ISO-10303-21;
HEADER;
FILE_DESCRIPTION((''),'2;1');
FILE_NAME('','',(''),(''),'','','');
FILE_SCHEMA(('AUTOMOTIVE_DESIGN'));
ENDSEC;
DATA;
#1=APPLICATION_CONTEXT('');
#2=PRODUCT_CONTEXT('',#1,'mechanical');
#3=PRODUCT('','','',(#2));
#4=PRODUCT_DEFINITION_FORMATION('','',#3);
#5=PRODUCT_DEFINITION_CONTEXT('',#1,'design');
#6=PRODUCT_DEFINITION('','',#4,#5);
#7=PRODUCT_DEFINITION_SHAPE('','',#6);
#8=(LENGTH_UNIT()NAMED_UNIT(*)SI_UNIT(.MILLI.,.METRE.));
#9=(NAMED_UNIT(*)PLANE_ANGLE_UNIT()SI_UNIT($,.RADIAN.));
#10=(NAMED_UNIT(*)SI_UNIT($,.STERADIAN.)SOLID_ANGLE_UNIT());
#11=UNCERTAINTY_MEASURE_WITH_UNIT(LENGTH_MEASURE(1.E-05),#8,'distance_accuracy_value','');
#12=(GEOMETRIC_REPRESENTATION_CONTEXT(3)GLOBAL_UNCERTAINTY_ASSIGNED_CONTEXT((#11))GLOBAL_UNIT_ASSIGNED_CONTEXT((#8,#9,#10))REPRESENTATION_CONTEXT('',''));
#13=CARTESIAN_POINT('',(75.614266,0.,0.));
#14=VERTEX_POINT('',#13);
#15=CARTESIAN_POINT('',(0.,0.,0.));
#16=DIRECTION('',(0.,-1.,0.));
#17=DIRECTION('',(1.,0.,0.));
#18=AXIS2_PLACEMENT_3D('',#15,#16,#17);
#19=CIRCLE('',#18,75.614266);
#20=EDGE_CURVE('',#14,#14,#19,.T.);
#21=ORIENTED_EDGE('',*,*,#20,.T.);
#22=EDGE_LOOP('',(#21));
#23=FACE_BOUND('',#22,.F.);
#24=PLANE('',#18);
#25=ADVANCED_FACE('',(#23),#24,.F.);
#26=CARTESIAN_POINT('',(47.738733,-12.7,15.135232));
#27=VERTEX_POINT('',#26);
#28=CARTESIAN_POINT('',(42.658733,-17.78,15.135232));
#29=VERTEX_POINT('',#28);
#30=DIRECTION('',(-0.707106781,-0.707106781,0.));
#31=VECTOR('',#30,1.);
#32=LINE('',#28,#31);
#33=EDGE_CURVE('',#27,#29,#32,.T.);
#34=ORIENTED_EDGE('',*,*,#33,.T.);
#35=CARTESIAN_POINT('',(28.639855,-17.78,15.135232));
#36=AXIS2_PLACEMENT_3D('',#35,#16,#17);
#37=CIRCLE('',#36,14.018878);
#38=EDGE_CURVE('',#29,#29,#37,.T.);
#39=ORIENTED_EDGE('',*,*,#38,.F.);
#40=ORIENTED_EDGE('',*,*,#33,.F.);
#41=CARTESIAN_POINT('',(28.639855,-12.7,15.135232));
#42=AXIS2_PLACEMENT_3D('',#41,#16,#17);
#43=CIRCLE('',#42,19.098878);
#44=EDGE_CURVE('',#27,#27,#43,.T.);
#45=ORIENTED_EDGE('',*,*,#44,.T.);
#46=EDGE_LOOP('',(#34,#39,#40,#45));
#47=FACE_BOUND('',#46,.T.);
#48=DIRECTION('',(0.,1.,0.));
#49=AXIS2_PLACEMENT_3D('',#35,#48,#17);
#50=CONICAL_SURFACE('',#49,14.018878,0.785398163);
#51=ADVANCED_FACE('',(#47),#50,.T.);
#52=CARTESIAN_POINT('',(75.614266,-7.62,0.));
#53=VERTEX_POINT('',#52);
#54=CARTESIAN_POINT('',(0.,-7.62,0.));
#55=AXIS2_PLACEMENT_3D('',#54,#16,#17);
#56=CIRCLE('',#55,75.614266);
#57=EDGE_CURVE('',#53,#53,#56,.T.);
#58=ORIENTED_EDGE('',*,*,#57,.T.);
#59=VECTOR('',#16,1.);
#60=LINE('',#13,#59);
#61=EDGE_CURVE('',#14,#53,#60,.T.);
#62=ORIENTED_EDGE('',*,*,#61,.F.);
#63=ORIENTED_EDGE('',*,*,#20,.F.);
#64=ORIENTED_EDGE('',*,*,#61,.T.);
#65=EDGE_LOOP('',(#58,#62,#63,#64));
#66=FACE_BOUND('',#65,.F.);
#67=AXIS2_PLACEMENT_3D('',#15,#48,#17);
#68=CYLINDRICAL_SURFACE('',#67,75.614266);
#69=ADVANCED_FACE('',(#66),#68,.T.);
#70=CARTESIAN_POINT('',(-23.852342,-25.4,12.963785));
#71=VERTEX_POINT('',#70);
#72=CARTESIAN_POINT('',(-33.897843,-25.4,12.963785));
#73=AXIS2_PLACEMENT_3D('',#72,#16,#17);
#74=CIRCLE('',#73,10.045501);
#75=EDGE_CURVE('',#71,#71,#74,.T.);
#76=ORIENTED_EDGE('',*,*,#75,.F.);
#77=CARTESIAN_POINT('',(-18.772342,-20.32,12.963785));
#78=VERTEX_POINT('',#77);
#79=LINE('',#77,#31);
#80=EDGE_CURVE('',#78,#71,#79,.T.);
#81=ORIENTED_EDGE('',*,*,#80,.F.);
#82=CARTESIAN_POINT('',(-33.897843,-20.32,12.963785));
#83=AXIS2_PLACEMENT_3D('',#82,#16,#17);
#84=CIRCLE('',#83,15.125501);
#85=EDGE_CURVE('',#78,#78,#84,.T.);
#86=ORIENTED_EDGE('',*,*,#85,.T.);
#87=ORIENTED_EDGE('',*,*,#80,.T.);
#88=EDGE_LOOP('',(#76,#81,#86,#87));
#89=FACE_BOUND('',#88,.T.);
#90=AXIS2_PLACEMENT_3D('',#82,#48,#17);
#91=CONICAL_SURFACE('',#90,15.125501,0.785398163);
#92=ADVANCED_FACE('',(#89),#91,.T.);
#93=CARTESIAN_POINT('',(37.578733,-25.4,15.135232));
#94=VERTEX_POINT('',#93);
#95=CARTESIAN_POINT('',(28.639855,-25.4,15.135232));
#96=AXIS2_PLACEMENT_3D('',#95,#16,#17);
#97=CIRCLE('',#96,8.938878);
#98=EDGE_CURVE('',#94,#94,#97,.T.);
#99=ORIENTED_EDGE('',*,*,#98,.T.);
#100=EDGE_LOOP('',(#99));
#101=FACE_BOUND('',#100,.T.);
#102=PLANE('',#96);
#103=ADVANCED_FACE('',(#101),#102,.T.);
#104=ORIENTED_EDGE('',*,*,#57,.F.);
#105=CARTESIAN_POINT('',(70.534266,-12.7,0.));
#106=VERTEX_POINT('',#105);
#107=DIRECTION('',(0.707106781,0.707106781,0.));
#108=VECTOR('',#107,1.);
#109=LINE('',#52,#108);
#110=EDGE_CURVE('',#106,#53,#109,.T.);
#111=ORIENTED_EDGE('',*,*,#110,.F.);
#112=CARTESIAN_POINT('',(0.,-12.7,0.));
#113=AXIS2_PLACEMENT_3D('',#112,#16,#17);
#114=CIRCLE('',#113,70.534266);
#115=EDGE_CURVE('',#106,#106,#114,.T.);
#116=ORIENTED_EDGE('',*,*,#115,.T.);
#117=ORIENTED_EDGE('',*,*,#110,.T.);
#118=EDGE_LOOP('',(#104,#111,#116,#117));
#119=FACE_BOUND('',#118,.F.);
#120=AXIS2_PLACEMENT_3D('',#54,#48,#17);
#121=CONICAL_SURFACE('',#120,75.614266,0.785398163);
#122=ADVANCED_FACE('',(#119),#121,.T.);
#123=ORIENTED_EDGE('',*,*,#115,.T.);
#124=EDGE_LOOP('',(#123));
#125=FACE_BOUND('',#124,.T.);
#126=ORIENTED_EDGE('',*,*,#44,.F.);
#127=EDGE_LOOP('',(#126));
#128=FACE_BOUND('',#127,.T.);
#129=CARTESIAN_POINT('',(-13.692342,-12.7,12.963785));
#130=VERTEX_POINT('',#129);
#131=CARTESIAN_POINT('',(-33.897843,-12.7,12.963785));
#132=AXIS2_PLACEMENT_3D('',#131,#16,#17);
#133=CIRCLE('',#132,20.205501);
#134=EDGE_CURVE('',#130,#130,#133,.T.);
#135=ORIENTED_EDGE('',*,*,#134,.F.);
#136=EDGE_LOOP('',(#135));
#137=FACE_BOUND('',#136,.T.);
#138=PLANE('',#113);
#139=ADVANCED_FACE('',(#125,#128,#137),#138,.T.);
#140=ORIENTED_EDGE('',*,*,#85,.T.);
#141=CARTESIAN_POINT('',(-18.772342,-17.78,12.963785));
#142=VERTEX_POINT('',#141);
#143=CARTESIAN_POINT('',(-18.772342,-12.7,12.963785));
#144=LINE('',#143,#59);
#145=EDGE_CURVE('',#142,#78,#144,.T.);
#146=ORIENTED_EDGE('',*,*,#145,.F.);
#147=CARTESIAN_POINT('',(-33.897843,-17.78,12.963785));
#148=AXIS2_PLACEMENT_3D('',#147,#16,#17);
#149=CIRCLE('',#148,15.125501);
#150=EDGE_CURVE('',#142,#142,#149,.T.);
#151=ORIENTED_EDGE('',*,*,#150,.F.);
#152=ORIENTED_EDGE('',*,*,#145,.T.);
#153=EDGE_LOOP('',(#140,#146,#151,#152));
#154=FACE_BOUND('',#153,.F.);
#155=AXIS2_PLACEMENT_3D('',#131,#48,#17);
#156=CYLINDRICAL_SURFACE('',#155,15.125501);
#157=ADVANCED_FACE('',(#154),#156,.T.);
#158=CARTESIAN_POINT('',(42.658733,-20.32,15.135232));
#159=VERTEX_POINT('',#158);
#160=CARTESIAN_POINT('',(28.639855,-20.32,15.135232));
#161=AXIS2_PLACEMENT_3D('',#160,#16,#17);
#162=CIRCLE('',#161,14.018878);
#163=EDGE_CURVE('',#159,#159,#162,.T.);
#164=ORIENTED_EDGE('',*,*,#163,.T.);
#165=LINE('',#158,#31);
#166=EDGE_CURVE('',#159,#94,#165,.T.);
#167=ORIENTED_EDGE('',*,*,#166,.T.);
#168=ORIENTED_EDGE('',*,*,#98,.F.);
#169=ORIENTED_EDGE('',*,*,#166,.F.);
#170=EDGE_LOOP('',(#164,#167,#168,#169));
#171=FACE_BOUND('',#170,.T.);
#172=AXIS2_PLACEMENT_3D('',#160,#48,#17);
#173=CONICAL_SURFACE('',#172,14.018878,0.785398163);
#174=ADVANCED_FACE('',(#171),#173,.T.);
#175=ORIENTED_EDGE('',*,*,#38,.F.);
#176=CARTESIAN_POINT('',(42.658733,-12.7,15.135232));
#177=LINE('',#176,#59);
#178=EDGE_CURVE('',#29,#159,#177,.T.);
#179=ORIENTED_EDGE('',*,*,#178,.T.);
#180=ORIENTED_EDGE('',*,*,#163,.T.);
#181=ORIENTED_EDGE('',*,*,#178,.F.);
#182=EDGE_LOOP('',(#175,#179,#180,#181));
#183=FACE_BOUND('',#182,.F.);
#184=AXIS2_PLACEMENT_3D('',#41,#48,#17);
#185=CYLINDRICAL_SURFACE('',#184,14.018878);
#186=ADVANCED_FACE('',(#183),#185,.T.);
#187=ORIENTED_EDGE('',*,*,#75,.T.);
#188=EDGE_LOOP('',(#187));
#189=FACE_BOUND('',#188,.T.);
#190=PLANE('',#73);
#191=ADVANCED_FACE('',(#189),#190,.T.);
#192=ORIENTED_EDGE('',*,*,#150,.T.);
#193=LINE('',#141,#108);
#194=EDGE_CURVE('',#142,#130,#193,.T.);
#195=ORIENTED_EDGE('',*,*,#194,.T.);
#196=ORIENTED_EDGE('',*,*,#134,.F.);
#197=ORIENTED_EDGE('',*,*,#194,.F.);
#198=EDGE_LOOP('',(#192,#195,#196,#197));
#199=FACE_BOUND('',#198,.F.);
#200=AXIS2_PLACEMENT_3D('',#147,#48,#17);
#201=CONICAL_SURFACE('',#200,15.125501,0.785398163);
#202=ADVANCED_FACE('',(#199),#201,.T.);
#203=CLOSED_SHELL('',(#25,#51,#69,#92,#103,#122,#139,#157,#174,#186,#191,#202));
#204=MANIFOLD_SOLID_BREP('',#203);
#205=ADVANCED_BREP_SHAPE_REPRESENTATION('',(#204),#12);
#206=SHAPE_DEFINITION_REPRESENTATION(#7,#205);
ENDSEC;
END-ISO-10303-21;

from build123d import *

# Parameters (mm, degrees)
F0_R     = 75.614266
F1_DEPTH = 12.7
F2_R     = 14.018878
F2_R_2   = 15.125501
F3_DEPTH = 12.7
F4_SIZE  = 5.08
F5_SIZE  = 5.08


with BuildPart() as f1:
    # F0 (on Front) → F1 (new body)
    with BuildSketch(Plane.XZ):
        Circle(F0_R)
    extrude(amount=F1_DEPTH)

    # F2 (on face) → F3 (join)
    with BuildSketch(Plane.XZ.offset(12.7)):
        with Locations((28.639855, 15.135232)):
            Circle(F2_R)
        with Locations((-33.897843, 12.963785)):
            Circle(F2_R_2)
    extrude(amount=F3_DEPTH)

    # F4
    f4_edges = [f1.edges().sort_by_distance(p)[0] for p in [
        (-49.023345, -25.4, 12.963785),
        (14.620977, -25.4, 15.135232),
    ]]
    chamfer(f4_edges, length=F4_SIZE)

    # F5
    f5_edges = [f1.edges().sort_by_distance(p)[0] for p in [
        (-75.614266, -12.7, 0),
        (-49.023345, -12.7, 12.963785),
        (14.620977, -12.7, 15.135232),
    ]]
    chamfer(f5_edges, length=F5_SIZE)


solid = f1.part
